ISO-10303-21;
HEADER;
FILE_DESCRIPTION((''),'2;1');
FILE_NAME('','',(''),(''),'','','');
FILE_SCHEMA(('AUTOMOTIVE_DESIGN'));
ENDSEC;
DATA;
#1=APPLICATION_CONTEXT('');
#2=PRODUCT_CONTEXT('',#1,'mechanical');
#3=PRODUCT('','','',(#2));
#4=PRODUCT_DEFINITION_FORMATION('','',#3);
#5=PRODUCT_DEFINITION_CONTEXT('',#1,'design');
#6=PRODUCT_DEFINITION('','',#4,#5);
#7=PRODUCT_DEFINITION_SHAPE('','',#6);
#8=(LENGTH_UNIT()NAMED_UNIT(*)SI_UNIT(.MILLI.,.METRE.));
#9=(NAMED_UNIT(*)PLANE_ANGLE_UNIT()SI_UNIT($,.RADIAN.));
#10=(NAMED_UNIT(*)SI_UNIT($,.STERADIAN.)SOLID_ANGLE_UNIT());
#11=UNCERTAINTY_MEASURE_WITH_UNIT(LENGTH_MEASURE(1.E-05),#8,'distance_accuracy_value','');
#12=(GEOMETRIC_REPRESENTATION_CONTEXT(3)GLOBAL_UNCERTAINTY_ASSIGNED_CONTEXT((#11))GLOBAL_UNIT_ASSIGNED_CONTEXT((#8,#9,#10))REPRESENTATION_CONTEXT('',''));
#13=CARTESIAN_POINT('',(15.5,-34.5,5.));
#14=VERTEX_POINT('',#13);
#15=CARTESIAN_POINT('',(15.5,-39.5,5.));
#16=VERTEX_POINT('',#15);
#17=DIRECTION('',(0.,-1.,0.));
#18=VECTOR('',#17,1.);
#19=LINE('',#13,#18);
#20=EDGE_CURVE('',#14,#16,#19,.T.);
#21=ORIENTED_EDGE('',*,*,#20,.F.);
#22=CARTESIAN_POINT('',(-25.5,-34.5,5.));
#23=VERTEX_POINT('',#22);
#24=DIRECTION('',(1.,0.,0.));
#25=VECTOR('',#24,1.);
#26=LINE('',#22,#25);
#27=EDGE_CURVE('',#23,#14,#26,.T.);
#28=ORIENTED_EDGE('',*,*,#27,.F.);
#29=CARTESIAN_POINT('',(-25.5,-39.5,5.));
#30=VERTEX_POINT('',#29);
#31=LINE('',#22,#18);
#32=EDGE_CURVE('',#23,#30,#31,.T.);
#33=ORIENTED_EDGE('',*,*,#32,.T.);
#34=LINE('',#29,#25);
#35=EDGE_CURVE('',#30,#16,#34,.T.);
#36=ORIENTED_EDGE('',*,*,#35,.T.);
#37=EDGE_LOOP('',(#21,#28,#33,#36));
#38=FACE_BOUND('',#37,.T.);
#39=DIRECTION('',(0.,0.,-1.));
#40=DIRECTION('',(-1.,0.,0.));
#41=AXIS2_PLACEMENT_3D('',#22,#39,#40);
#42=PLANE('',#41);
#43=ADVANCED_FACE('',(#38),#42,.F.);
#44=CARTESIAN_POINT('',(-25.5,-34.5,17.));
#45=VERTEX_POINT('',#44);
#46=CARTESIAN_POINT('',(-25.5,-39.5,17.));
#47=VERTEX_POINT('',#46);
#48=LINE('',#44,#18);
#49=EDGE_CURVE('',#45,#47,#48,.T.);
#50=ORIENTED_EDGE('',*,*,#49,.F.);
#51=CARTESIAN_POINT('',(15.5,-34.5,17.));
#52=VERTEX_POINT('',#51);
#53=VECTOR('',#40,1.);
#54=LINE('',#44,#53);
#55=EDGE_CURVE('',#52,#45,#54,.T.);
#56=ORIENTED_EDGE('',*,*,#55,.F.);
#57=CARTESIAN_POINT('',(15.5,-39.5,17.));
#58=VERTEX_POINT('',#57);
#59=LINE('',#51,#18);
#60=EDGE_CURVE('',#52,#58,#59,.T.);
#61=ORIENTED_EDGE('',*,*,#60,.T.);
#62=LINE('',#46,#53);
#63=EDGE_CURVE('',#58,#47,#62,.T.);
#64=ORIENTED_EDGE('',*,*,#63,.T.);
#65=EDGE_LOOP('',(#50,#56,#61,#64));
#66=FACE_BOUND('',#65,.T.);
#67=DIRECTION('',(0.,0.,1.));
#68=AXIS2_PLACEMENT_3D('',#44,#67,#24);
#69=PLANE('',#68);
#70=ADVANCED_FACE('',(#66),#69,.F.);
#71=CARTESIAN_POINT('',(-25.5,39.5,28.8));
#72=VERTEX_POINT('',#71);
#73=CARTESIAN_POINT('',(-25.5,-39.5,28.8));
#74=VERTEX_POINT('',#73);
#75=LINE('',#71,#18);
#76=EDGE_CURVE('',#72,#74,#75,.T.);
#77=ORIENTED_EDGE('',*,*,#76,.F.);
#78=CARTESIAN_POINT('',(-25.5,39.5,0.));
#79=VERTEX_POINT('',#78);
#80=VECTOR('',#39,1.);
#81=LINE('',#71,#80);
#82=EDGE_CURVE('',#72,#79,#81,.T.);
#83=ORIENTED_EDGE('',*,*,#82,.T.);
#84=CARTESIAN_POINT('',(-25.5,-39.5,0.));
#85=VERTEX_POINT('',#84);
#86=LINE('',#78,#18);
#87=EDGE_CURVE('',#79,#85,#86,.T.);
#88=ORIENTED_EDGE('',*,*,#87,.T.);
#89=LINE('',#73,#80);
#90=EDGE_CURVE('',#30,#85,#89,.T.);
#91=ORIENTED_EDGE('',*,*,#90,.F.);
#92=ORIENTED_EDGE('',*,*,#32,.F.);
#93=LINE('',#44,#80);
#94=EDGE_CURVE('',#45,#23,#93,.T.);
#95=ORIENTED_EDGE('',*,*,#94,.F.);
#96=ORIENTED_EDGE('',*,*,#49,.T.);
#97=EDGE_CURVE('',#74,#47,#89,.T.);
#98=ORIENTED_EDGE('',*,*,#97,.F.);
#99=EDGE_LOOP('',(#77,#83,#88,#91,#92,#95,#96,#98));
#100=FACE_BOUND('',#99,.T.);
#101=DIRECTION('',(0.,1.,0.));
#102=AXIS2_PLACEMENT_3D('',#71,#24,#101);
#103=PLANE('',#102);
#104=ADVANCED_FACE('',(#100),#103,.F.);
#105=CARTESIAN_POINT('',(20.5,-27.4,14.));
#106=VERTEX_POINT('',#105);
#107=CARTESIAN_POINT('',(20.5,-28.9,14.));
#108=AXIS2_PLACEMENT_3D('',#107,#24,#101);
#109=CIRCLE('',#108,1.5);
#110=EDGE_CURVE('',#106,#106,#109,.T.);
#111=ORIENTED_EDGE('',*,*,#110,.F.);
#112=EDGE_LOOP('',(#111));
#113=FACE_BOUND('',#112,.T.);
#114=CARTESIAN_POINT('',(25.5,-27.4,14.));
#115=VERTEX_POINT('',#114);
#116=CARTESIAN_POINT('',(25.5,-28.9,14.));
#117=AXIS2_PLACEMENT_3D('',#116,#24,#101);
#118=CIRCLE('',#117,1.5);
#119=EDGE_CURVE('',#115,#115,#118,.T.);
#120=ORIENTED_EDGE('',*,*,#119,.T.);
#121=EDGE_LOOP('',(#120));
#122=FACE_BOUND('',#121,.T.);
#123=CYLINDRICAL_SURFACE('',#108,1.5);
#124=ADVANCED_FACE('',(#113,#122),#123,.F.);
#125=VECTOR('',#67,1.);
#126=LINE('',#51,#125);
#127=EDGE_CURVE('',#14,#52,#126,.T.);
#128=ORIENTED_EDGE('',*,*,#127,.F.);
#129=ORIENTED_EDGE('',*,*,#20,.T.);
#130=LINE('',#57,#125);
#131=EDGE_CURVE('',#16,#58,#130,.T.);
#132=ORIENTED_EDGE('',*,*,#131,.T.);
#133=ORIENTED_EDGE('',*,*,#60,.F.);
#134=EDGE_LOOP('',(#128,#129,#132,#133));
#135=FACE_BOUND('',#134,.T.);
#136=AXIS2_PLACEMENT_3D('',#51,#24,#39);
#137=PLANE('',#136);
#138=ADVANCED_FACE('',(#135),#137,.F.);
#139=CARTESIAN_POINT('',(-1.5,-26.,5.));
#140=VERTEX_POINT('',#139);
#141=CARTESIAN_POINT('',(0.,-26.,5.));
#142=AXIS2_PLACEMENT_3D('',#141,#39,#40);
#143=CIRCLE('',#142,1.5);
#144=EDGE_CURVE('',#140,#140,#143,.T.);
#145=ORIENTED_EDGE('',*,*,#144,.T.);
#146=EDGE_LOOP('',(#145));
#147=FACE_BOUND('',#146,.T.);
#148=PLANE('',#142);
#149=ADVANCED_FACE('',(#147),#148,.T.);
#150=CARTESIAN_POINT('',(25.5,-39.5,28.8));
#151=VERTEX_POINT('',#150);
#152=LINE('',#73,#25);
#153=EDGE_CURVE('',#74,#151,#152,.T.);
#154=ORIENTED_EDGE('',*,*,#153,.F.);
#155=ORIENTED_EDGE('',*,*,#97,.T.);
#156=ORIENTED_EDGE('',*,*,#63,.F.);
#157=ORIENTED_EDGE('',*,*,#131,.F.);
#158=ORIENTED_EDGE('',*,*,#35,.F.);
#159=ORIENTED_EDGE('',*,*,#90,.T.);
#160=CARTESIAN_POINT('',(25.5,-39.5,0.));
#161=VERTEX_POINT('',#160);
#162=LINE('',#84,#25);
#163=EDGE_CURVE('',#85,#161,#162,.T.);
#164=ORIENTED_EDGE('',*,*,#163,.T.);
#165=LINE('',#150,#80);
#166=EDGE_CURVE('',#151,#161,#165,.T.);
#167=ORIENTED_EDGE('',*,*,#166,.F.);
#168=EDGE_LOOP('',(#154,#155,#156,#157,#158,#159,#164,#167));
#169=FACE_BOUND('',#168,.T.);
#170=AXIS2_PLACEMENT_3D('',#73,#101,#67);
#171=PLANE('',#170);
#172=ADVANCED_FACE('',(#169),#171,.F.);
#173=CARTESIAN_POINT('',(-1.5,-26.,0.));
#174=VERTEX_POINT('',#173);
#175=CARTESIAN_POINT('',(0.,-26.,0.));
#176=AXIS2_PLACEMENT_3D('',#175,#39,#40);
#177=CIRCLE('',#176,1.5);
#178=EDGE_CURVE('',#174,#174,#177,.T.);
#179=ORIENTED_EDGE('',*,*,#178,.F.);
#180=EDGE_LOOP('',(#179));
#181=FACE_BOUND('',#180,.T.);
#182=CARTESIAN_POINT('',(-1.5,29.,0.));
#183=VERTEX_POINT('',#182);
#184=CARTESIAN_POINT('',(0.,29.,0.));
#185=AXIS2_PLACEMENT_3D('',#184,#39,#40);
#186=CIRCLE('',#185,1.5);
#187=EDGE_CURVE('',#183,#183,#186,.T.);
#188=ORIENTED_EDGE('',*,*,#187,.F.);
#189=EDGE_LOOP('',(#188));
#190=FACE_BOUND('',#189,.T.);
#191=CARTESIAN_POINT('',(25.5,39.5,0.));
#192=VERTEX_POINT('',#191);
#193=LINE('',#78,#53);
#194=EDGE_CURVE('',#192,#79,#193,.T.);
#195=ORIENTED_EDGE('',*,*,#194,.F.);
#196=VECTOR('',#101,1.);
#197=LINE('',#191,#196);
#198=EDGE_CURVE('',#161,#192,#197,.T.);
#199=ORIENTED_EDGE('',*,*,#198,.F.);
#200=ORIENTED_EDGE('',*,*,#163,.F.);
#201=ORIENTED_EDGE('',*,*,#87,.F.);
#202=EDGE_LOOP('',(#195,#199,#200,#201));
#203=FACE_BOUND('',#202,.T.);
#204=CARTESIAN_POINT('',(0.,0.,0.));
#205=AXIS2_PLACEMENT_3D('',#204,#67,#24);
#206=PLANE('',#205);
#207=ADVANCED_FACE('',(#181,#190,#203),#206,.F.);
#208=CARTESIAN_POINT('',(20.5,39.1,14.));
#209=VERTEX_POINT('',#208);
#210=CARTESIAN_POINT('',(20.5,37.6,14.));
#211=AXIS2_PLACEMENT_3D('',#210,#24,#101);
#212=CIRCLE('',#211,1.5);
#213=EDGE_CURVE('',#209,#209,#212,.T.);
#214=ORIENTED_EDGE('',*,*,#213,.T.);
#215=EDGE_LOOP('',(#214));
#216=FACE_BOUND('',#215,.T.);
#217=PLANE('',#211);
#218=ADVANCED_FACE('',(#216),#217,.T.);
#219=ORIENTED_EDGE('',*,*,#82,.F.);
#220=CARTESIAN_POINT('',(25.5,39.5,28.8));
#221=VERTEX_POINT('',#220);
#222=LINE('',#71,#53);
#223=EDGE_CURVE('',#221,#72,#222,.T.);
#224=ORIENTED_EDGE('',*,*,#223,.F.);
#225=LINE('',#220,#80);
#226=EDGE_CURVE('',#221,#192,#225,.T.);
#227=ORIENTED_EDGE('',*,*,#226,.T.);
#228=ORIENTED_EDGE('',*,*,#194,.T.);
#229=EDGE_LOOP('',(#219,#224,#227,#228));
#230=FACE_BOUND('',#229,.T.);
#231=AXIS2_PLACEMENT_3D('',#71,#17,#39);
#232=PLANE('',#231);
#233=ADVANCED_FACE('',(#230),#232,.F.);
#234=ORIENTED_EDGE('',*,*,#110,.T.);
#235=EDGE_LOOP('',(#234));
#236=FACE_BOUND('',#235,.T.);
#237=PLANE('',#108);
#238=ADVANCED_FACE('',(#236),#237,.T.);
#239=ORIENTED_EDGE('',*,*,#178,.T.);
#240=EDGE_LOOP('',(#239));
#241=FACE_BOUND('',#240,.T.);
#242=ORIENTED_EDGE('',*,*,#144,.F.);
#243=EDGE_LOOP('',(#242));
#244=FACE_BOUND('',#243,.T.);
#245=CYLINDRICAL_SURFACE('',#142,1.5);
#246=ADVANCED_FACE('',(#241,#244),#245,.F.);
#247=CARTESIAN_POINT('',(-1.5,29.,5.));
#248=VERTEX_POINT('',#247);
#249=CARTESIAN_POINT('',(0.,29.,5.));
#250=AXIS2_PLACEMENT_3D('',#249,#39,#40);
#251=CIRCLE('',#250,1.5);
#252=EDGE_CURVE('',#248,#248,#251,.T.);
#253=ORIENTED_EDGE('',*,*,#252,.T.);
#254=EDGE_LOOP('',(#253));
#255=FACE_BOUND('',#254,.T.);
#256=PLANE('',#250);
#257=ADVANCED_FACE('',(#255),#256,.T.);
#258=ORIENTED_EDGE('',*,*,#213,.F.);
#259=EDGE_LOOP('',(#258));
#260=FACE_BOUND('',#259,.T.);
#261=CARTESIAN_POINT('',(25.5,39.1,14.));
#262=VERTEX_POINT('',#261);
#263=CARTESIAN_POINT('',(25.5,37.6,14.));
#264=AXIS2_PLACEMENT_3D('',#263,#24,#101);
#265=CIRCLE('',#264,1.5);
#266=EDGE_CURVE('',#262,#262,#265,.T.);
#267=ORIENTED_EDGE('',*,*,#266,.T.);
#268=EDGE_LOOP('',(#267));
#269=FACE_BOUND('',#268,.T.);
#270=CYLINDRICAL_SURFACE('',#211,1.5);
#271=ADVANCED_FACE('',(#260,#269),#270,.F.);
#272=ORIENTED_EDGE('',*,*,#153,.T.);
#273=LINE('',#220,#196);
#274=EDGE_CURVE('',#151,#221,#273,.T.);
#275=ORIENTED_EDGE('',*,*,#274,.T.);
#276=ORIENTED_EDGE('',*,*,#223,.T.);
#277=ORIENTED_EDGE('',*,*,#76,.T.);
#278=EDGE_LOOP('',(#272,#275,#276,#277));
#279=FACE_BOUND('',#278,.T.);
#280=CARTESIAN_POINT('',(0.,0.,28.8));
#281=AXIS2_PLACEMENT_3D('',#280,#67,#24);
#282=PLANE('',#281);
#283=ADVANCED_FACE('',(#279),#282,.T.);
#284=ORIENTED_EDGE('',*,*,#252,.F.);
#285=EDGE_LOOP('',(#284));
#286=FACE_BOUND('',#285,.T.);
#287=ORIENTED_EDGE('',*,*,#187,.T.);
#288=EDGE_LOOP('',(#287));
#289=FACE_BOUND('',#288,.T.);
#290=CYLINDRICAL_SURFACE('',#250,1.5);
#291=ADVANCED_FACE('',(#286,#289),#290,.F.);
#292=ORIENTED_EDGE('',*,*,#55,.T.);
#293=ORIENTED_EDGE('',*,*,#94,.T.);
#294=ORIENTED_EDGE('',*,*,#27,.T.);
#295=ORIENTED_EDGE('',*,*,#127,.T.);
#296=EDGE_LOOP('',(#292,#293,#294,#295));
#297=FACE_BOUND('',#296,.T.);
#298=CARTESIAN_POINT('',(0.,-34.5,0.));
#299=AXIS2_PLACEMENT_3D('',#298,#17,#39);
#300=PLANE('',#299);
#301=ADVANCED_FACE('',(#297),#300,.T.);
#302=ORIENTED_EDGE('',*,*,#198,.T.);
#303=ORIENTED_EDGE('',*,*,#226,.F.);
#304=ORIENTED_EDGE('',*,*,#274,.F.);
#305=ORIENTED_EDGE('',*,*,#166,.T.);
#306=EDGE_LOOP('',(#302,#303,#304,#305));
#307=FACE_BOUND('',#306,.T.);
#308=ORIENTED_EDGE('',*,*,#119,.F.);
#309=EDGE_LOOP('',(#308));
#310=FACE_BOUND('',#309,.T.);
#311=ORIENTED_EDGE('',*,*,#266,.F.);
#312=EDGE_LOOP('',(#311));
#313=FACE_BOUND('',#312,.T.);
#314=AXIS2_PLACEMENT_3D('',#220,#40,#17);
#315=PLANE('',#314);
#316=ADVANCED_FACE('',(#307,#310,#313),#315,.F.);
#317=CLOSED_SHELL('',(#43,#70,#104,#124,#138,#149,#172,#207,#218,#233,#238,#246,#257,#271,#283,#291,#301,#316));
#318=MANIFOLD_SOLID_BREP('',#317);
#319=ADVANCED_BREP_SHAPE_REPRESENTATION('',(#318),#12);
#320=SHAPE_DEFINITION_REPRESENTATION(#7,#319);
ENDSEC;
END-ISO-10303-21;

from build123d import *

# Parameters (mm, degrees)
SKETCH_1_W          = 51
SKETCH_1_H          = 79
EXTRUDE_1_DEPTH     = 28.8
SKETCH_2_R          = 1.5
CUT_EXTRUDE_1_DEPTH = 5
SKETCH_3_R          = 1.5
CUT_EXTRUDE_2_DEPTH = 5
SKETCH_4_W          = 41
SKETCH_4_H          = 12
CUT_EXTRUDE_3_DEPTH = 5


with BuildPart() as part:
    # 草图1 → 凸台-拉伸1 (new body)
    with BuildSketch(Plane.XY):
        Rectangle(SKETCH_1_W, SKETCH_1_H)
    extrude(amount=EXTRUDE_1_DEPTH)

    # 草图2 → 切除-拉伸1 (cut)
    with BuildSketch(Plane(origin=(0, 0, 0), x_dir=(-1, 0, 0), z_dir=(0, 0, -1))):
        with Locations((0, 29)):
            Circle(SKETCH_2_R)
        with Locations((0, -26)):
            Circle(SKETCH_2_R)
    extrude(amount=-CUT_EXTRUDE_1_DEPTH, mode=Mode.SUBTRACT)

    # 草图3 → 切除-拉伸2 (cut)
    with BuildSketch(Plane(origin=(25.5, 0, 0), x_dir=(0, 0, -1), z_dir=(1, 0, 0))):
        with Locations(Location((-14, 37.6, 0), (0, 0, 90))):
            Circle(SKETCH_3_R)
        with Locations(Location((-14, -28.9, 0), (0, 0, 90))):
            Circle(SKETCH_3_R)
    extrude(amount=-CUT_EXTRUDE_2_DEPTH, mode=Mode.SUBTRACT)

    # 草图4 → 切除-拉伸3 (cut)
    with BuildSketch(Plane.XZ.offset(39.5)):
        with Locations((-5, 11)):
            Rectangle(SKETCH_4_W, SKETCH_4_H)
    extrude(amount=-CUT_EXTRUDE_3_DEPTH, mode=Mode.SUBTRACT)


solid = part.part
